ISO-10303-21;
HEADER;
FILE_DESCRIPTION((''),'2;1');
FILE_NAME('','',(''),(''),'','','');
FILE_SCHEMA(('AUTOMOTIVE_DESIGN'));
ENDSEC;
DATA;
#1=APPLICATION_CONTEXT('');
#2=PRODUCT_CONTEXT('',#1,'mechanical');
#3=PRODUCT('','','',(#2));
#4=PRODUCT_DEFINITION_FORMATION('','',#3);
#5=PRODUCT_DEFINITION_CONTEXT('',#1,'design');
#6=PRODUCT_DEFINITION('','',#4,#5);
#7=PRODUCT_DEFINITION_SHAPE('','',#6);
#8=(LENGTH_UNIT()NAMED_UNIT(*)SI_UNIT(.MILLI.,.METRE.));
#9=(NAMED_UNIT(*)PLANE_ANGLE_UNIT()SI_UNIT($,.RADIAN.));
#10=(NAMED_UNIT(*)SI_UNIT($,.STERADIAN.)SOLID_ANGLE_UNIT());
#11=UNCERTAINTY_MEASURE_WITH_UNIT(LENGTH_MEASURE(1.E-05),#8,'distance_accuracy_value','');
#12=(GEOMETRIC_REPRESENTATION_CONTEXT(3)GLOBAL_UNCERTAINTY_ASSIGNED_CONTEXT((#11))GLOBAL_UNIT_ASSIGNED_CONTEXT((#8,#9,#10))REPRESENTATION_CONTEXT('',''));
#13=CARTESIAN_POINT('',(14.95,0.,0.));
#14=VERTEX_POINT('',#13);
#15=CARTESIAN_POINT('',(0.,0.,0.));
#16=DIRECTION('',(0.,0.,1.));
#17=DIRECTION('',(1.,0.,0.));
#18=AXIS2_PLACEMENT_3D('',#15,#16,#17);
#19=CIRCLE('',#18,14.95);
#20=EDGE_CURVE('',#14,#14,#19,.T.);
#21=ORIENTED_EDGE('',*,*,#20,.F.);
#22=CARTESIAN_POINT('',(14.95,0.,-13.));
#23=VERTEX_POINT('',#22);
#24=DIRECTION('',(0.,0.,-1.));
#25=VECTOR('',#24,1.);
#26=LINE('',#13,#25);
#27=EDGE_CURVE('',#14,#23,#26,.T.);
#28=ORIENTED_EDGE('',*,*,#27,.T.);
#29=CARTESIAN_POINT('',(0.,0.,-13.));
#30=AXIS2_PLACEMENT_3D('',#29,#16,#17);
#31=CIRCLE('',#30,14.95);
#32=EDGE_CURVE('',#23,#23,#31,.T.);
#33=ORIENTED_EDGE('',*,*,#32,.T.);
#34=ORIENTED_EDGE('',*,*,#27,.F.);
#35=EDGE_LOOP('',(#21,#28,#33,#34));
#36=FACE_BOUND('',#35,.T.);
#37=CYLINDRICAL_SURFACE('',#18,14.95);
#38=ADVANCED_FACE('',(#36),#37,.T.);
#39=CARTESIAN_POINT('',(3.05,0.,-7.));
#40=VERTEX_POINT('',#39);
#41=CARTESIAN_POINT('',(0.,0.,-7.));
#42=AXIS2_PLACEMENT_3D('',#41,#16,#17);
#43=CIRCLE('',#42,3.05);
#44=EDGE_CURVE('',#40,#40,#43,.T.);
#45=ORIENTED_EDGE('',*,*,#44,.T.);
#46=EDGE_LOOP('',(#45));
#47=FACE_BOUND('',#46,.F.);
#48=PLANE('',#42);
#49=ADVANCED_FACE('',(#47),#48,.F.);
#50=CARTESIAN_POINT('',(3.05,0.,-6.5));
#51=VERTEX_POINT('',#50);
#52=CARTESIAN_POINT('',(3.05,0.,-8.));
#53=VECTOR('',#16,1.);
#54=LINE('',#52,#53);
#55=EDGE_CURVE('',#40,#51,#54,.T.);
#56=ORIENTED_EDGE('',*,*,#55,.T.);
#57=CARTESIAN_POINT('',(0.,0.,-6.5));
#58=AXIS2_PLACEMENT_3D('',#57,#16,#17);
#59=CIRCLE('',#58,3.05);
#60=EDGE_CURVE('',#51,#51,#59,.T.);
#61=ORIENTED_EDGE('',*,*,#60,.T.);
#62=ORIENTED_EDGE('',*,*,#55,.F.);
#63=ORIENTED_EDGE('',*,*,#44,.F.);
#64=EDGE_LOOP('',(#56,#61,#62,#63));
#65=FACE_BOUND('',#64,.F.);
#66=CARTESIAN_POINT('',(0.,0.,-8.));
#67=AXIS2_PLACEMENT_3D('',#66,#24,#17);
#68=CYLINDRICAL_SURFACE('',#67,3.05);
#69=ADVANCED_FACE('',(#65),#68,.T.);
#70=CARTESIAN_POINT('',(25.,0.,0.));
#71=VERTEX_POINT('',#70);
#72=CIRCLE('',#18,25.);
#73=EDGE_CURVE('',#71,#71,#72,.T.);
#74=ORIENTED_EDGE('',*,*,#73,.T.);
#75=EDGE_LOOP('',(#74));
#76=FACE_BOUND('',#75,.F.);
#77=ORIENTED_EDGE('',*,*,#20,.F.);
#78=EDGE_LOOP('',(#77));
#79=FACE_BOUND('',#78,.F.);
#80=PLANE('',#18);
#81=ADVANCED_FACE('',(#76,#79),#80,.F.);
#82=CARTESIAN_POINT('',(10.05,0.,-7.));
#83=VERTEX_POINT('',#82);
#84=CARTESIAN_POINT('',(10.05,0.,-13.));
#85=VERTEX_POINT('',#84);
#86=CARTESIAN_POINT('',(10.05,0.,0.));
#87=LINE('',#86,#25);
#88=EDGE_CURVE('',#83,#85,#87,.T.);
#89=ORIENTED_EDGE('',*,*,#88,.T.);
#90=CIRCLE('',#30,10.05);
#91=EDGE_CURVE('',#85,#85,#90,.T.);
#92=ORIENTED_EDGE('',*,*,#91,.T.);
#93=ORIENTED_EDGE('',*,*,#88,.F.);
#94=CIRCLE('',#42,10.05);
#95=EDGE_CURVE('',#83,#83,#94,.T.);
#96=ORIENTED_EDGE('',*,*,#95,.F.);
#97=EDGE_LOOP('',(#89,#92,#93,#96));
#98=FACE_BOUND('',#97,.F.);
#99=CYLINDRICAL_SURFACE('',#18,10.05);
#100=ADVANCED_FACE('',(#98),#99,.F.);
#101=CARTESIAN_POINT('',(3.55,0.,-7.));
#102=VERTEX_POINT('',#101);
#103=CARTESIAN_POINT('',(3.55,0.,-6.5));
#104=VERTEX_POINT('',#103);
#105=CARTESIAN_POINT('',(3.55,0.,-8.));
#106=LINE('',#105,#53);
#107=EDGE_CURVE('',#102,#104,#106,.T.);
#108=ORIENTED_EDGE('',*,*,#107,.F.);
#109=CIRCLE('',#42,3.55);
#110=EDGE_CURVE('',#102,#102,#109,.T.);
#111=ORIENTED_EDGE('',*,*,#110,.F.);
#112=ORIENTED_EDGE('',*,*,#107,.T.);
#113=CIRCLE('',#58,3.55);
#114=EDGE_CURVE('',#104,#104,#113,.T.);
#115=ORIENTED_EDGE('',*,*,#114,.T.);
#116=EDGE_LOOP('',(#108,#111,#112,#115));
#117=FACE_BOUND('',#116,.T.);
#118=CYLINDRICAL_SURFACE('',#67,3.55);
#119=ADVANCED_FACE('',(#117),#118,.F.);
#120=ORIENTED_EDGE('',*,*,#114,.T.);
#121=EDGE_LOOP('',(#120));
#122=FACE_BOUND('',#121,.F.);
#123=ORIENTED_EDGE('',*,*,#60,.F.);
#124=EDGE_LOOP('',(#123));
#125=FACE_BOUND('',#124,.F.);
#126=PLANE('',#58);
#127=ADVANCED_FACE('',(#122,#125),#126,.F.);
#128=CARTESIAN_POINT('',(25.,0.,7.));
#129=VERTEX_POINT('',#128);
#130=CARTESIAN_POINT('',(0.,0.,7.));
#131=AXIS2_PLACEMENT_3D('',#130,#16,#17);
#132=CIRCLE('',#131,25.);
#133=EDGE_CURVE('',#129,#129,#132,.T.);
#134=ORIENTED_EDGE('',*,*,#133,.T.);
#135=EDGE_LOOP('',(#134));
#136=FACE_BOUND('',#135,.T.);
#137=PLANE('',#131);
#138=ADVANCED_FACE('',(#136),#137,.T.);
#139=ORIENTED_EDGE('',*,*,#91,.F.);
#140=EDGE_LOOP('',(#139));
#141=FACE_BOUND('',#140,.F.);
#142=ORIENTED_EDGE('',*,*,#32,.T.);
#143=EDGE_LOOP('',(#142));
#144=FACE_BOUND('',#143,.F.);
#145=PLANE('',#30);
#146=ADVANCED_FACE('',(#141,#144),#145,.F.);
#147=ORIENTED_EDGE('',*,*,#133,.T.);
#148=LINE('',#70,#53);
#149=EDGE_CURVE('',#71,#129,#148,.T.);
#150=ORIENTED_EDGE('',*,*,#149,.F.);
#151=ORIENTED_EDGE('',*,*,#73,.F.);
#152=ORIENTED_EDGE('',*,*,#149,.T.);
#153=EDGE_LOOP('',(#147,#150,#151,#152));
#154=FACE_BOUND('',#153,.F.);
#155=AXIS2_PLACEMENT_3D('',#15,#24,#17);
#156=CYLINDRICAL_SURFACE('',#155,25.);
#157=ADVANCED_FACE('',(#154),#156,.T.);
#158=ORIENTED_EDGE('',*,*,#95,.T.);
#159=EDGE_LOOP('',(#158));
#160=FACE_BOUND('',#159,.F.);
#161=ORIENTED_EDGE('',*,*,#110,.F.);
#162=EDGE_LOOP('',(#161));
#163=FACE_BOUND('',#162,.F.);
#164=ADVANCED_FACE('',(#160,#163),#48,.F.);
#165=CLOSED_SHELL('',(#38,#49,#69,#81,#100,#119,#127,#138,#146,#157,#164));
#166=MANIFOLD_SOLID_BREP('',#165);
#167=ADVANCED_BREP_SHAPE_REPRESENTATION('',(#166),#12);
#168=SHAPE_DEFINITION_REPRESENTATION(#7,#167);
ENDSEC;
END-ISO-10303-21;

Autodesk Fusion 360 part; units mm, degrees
sketch "Sketch1" plane through (0, 0, 0) normal (0, 0, 1) x (1, 0, 0)
  circle A0 centre (0, 0) radius 14.95
  circle A1 centre (0, 0) radius 10.05
  circle A2 centre (0, 0) radius 3.05
  circle A3 centre (0, 0) radius 3.55
  circle A4 centre (0, 0) radius 25
  dimension "d1" = 29.9
  dimension "d2" = 20.1
  dimension "d7" = 6.1
  dimension "d8" = 7.1
  dimension "d9" = 50
extrude "Extrude1" add sketch "Sketch1" against normal blind 13 contours A0
extrude "Extrude2" add sketch "Sketch1" against normal blind 7 contours A1 | A2 | A3
extrude "Extrude3" add sketch "Sketch1" against normal blind 8 contours A3
extrude "Extrude4" cut 1 faces at (3.3701, -0.1764, -8) along direction (0, 0, 1) blind 1.5
extrude "Extrude5" add sketch "Sketch1" along normal blind 7 contours A0 | A1 | A2 | A3 | A4
